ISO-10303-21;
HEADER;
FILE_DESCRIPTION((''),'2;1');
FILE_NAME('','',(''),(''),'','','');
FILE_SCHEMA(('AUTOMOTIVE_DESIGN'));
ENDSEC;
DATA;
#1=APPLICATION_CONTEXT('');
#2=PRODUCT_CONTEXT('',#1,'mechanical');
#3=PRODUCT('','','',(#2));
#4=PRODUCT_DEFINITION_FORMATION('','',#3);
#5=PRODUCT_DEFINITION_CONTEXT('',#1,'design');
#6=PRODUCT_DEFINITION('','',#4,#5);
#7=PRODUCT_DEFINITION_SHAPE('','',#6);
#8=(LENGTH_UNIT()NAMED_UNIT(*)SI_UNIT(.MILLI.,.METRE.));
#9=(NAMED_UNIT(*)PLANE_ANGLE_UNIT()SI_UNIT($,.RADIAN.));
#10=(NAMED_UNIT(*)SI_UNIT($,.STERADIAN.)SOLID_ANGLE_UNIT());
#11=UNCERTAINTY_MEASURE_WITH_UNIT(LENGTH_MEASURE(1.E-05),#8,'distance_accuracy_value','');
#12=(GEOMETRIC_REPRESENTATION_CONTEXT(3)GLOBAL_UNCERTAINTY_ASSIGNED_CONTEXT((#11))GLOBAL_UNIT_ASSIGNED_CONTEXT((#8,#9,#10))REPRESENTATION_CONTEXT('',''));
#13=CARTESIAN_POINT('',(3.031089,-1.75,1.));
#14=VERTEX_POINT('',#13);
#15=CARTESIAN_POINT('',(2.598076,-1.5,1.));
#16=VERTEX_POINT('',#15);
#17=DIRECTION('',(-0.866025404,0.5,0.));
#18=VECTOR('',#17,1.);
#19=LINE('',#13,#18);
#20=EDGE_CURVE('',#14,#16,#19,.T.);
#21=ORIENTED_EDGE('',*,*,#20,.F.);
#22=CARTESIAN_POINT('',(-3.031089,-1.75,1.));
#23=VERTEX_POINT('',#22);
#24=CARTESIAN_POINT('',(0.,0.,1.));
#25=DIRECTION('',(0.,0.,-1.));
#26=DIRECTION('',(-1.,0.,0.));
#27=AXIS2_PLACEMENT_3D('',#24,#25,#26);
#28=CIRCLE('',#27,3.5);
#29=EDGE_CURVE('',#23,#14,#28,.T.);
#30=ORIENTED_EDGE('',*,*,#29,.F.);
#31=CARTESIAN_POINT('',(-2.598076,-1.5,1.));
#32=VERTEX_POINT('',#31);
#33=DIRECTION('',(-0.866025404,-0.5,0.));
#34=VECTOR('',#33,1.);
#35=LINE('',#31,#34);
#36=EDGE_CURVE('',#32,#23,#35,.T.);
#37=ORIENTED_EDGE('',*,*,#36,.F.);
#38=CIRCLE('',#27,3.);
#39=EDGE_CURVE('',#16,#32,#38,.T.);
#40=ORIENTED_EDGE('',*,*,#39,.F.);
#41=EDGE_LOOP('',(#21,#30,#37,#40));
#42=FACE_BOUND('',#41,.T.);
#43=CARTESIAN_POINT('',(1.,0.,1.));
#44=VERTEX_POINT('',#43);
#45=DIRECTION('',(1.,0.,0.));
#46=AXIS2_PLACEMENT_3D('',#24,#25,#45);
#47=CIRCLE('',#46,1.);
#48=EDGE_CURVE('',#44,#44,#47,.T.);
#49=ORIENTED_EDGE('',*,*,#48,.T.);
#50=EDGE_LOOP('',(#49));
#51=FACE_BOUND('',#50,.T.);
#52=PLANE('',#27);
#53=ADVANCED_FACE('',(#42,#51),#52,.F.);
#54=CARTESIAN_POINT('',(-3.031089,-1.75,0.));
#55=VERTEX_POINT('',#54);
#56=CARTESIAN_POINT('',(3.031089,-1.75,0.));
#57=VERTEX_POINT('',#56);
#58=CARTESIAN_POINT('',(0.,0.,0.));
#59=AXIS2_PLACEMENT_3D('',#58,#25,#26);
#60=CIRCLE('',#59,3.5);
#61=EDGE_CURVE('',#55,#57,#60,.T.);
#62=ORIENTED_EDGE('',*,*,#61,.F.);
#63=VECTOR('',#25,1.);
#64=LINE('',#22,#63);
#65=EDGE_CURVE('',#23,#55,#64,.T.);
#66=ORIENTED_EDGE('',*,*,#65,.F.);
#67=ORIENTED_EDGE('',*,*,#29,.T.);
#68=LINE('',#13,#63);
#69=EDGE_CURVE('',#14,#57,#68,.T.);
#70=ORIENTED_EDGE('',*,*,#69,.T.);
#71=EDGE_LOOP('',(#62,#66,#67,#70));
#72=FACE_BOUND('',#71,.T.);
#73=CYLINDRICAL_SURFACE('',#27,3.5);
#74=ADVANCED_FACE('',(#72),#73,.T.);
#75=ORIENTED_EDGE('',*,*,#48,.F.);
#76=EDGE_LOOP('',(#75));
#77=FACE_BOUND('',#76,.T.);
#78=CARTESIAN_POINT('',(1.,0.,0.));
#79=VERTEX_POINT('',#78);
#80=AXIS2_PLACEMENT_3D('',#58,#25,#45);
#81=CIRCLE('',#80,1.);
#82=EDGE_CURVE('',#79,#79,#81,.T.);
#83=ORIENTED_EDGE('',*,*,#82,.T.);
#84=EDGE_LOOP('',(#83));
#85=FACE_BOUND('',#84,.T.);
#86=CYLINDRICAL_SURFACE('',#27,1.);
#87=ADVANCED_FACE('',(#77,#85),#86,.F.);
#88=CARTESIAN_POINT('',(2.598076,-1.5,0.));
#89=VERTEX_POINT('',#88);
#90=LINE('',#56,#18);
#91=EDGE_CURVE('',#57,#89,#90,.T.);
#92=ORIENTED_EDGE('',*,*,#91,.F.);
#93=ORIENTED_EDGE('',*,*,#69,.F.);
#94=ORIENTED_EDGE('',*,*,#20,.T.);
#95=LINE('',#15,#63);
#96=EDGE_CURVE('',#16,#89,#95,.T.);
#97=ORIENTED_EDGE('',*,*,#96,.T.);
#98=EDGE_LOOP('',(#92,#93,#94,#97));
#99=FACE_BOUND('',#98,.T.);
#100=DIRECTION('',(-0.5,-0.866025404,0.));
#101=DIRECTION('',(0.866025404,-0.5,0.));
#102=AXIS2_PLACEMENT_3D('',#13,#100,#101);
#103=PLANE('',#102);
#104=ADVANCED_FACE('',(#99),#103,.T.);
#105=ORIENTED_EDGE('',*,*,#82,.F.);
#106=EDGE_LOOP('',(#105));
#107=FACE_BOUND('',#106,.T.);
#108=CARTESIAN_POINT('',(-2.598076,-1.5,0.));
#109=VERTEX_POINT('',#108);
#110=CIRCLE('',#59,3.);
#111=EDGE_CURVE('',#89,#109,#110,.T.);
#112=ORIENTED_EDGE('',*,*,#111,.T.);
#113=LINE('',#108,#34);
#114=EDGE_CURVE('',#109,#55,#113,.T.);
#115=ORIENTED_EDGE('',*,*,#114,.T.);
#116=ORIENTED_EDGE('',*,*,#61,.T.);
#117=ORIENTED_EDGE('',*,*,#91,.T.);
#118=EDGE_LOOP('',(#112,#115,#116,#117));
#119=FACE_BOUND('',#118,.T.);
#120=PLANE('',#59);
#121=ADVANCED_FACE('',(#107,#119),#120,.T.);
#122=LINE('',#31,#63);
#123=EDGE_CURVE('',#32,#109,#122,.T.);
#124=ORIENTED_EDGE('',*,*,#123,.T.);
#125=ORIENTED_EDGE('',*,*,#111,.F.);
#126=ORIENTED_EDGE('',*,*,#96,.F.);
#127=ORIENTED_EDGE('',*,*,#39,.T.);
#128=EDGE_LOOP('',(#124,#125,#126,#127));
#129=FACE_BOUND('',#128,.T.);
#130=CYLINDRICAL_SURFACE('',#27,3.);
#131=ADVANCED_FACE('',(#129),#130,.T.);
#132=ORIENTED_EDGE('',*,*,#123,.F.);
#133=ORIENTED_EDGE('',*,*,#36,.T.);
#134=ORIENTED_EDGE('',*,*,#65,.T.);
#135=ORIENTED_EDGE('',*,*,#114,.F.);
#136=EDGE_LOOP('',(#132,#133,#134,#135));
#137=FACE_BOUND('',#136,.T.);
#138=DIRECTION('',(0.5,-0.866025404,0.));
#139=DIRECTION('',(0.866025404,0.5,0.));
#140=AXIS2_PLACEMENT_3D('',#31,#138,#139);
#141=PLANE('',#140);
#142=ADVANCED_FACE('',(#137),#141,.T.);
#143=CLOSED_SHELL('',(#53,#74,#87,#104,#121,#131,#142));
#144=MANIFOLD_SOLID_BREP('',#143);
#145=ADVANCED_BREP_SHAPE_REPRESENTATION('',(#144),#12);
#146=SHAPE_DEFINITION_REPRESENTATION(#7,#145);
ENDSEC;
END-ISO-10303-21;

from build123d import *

# Parameters (mm, degrees)
SKETCH1_R           = 1
BOSS_EXTRUDE1_DEPTH = 1


with BuildPart() as part:
    # Sketch1 → Boss-Extrude1 (new body)
    with BuildSketch(Plane(origin=(0, 0, 0), x_dir=(-1, 0, 0), z_dir=(0, 0, -1))):
        with BuildLine():
            Line((-3.031088913, -1.75), (-2.598076211, -1.5))
            ThreePointArc((-2.598076211, -1.5), (0, -3), (2.598076211, -1.5))
            Line((2.598076211, -1.5), (3.031088913, -1.75))
            ThreePointArc((3.031088913, -1.75), (0, 3.5), (-3.031088913, -1.75))
        make_face()
        with Locations(Location((0, 0, 0), (0, 0, 180))):
            Circle(SKETCH1_R, mode=Mode.SUBTRACT)
    extrude(amount=-BOSS_EXTRUDE1_DEPTH)


solid = part.part
